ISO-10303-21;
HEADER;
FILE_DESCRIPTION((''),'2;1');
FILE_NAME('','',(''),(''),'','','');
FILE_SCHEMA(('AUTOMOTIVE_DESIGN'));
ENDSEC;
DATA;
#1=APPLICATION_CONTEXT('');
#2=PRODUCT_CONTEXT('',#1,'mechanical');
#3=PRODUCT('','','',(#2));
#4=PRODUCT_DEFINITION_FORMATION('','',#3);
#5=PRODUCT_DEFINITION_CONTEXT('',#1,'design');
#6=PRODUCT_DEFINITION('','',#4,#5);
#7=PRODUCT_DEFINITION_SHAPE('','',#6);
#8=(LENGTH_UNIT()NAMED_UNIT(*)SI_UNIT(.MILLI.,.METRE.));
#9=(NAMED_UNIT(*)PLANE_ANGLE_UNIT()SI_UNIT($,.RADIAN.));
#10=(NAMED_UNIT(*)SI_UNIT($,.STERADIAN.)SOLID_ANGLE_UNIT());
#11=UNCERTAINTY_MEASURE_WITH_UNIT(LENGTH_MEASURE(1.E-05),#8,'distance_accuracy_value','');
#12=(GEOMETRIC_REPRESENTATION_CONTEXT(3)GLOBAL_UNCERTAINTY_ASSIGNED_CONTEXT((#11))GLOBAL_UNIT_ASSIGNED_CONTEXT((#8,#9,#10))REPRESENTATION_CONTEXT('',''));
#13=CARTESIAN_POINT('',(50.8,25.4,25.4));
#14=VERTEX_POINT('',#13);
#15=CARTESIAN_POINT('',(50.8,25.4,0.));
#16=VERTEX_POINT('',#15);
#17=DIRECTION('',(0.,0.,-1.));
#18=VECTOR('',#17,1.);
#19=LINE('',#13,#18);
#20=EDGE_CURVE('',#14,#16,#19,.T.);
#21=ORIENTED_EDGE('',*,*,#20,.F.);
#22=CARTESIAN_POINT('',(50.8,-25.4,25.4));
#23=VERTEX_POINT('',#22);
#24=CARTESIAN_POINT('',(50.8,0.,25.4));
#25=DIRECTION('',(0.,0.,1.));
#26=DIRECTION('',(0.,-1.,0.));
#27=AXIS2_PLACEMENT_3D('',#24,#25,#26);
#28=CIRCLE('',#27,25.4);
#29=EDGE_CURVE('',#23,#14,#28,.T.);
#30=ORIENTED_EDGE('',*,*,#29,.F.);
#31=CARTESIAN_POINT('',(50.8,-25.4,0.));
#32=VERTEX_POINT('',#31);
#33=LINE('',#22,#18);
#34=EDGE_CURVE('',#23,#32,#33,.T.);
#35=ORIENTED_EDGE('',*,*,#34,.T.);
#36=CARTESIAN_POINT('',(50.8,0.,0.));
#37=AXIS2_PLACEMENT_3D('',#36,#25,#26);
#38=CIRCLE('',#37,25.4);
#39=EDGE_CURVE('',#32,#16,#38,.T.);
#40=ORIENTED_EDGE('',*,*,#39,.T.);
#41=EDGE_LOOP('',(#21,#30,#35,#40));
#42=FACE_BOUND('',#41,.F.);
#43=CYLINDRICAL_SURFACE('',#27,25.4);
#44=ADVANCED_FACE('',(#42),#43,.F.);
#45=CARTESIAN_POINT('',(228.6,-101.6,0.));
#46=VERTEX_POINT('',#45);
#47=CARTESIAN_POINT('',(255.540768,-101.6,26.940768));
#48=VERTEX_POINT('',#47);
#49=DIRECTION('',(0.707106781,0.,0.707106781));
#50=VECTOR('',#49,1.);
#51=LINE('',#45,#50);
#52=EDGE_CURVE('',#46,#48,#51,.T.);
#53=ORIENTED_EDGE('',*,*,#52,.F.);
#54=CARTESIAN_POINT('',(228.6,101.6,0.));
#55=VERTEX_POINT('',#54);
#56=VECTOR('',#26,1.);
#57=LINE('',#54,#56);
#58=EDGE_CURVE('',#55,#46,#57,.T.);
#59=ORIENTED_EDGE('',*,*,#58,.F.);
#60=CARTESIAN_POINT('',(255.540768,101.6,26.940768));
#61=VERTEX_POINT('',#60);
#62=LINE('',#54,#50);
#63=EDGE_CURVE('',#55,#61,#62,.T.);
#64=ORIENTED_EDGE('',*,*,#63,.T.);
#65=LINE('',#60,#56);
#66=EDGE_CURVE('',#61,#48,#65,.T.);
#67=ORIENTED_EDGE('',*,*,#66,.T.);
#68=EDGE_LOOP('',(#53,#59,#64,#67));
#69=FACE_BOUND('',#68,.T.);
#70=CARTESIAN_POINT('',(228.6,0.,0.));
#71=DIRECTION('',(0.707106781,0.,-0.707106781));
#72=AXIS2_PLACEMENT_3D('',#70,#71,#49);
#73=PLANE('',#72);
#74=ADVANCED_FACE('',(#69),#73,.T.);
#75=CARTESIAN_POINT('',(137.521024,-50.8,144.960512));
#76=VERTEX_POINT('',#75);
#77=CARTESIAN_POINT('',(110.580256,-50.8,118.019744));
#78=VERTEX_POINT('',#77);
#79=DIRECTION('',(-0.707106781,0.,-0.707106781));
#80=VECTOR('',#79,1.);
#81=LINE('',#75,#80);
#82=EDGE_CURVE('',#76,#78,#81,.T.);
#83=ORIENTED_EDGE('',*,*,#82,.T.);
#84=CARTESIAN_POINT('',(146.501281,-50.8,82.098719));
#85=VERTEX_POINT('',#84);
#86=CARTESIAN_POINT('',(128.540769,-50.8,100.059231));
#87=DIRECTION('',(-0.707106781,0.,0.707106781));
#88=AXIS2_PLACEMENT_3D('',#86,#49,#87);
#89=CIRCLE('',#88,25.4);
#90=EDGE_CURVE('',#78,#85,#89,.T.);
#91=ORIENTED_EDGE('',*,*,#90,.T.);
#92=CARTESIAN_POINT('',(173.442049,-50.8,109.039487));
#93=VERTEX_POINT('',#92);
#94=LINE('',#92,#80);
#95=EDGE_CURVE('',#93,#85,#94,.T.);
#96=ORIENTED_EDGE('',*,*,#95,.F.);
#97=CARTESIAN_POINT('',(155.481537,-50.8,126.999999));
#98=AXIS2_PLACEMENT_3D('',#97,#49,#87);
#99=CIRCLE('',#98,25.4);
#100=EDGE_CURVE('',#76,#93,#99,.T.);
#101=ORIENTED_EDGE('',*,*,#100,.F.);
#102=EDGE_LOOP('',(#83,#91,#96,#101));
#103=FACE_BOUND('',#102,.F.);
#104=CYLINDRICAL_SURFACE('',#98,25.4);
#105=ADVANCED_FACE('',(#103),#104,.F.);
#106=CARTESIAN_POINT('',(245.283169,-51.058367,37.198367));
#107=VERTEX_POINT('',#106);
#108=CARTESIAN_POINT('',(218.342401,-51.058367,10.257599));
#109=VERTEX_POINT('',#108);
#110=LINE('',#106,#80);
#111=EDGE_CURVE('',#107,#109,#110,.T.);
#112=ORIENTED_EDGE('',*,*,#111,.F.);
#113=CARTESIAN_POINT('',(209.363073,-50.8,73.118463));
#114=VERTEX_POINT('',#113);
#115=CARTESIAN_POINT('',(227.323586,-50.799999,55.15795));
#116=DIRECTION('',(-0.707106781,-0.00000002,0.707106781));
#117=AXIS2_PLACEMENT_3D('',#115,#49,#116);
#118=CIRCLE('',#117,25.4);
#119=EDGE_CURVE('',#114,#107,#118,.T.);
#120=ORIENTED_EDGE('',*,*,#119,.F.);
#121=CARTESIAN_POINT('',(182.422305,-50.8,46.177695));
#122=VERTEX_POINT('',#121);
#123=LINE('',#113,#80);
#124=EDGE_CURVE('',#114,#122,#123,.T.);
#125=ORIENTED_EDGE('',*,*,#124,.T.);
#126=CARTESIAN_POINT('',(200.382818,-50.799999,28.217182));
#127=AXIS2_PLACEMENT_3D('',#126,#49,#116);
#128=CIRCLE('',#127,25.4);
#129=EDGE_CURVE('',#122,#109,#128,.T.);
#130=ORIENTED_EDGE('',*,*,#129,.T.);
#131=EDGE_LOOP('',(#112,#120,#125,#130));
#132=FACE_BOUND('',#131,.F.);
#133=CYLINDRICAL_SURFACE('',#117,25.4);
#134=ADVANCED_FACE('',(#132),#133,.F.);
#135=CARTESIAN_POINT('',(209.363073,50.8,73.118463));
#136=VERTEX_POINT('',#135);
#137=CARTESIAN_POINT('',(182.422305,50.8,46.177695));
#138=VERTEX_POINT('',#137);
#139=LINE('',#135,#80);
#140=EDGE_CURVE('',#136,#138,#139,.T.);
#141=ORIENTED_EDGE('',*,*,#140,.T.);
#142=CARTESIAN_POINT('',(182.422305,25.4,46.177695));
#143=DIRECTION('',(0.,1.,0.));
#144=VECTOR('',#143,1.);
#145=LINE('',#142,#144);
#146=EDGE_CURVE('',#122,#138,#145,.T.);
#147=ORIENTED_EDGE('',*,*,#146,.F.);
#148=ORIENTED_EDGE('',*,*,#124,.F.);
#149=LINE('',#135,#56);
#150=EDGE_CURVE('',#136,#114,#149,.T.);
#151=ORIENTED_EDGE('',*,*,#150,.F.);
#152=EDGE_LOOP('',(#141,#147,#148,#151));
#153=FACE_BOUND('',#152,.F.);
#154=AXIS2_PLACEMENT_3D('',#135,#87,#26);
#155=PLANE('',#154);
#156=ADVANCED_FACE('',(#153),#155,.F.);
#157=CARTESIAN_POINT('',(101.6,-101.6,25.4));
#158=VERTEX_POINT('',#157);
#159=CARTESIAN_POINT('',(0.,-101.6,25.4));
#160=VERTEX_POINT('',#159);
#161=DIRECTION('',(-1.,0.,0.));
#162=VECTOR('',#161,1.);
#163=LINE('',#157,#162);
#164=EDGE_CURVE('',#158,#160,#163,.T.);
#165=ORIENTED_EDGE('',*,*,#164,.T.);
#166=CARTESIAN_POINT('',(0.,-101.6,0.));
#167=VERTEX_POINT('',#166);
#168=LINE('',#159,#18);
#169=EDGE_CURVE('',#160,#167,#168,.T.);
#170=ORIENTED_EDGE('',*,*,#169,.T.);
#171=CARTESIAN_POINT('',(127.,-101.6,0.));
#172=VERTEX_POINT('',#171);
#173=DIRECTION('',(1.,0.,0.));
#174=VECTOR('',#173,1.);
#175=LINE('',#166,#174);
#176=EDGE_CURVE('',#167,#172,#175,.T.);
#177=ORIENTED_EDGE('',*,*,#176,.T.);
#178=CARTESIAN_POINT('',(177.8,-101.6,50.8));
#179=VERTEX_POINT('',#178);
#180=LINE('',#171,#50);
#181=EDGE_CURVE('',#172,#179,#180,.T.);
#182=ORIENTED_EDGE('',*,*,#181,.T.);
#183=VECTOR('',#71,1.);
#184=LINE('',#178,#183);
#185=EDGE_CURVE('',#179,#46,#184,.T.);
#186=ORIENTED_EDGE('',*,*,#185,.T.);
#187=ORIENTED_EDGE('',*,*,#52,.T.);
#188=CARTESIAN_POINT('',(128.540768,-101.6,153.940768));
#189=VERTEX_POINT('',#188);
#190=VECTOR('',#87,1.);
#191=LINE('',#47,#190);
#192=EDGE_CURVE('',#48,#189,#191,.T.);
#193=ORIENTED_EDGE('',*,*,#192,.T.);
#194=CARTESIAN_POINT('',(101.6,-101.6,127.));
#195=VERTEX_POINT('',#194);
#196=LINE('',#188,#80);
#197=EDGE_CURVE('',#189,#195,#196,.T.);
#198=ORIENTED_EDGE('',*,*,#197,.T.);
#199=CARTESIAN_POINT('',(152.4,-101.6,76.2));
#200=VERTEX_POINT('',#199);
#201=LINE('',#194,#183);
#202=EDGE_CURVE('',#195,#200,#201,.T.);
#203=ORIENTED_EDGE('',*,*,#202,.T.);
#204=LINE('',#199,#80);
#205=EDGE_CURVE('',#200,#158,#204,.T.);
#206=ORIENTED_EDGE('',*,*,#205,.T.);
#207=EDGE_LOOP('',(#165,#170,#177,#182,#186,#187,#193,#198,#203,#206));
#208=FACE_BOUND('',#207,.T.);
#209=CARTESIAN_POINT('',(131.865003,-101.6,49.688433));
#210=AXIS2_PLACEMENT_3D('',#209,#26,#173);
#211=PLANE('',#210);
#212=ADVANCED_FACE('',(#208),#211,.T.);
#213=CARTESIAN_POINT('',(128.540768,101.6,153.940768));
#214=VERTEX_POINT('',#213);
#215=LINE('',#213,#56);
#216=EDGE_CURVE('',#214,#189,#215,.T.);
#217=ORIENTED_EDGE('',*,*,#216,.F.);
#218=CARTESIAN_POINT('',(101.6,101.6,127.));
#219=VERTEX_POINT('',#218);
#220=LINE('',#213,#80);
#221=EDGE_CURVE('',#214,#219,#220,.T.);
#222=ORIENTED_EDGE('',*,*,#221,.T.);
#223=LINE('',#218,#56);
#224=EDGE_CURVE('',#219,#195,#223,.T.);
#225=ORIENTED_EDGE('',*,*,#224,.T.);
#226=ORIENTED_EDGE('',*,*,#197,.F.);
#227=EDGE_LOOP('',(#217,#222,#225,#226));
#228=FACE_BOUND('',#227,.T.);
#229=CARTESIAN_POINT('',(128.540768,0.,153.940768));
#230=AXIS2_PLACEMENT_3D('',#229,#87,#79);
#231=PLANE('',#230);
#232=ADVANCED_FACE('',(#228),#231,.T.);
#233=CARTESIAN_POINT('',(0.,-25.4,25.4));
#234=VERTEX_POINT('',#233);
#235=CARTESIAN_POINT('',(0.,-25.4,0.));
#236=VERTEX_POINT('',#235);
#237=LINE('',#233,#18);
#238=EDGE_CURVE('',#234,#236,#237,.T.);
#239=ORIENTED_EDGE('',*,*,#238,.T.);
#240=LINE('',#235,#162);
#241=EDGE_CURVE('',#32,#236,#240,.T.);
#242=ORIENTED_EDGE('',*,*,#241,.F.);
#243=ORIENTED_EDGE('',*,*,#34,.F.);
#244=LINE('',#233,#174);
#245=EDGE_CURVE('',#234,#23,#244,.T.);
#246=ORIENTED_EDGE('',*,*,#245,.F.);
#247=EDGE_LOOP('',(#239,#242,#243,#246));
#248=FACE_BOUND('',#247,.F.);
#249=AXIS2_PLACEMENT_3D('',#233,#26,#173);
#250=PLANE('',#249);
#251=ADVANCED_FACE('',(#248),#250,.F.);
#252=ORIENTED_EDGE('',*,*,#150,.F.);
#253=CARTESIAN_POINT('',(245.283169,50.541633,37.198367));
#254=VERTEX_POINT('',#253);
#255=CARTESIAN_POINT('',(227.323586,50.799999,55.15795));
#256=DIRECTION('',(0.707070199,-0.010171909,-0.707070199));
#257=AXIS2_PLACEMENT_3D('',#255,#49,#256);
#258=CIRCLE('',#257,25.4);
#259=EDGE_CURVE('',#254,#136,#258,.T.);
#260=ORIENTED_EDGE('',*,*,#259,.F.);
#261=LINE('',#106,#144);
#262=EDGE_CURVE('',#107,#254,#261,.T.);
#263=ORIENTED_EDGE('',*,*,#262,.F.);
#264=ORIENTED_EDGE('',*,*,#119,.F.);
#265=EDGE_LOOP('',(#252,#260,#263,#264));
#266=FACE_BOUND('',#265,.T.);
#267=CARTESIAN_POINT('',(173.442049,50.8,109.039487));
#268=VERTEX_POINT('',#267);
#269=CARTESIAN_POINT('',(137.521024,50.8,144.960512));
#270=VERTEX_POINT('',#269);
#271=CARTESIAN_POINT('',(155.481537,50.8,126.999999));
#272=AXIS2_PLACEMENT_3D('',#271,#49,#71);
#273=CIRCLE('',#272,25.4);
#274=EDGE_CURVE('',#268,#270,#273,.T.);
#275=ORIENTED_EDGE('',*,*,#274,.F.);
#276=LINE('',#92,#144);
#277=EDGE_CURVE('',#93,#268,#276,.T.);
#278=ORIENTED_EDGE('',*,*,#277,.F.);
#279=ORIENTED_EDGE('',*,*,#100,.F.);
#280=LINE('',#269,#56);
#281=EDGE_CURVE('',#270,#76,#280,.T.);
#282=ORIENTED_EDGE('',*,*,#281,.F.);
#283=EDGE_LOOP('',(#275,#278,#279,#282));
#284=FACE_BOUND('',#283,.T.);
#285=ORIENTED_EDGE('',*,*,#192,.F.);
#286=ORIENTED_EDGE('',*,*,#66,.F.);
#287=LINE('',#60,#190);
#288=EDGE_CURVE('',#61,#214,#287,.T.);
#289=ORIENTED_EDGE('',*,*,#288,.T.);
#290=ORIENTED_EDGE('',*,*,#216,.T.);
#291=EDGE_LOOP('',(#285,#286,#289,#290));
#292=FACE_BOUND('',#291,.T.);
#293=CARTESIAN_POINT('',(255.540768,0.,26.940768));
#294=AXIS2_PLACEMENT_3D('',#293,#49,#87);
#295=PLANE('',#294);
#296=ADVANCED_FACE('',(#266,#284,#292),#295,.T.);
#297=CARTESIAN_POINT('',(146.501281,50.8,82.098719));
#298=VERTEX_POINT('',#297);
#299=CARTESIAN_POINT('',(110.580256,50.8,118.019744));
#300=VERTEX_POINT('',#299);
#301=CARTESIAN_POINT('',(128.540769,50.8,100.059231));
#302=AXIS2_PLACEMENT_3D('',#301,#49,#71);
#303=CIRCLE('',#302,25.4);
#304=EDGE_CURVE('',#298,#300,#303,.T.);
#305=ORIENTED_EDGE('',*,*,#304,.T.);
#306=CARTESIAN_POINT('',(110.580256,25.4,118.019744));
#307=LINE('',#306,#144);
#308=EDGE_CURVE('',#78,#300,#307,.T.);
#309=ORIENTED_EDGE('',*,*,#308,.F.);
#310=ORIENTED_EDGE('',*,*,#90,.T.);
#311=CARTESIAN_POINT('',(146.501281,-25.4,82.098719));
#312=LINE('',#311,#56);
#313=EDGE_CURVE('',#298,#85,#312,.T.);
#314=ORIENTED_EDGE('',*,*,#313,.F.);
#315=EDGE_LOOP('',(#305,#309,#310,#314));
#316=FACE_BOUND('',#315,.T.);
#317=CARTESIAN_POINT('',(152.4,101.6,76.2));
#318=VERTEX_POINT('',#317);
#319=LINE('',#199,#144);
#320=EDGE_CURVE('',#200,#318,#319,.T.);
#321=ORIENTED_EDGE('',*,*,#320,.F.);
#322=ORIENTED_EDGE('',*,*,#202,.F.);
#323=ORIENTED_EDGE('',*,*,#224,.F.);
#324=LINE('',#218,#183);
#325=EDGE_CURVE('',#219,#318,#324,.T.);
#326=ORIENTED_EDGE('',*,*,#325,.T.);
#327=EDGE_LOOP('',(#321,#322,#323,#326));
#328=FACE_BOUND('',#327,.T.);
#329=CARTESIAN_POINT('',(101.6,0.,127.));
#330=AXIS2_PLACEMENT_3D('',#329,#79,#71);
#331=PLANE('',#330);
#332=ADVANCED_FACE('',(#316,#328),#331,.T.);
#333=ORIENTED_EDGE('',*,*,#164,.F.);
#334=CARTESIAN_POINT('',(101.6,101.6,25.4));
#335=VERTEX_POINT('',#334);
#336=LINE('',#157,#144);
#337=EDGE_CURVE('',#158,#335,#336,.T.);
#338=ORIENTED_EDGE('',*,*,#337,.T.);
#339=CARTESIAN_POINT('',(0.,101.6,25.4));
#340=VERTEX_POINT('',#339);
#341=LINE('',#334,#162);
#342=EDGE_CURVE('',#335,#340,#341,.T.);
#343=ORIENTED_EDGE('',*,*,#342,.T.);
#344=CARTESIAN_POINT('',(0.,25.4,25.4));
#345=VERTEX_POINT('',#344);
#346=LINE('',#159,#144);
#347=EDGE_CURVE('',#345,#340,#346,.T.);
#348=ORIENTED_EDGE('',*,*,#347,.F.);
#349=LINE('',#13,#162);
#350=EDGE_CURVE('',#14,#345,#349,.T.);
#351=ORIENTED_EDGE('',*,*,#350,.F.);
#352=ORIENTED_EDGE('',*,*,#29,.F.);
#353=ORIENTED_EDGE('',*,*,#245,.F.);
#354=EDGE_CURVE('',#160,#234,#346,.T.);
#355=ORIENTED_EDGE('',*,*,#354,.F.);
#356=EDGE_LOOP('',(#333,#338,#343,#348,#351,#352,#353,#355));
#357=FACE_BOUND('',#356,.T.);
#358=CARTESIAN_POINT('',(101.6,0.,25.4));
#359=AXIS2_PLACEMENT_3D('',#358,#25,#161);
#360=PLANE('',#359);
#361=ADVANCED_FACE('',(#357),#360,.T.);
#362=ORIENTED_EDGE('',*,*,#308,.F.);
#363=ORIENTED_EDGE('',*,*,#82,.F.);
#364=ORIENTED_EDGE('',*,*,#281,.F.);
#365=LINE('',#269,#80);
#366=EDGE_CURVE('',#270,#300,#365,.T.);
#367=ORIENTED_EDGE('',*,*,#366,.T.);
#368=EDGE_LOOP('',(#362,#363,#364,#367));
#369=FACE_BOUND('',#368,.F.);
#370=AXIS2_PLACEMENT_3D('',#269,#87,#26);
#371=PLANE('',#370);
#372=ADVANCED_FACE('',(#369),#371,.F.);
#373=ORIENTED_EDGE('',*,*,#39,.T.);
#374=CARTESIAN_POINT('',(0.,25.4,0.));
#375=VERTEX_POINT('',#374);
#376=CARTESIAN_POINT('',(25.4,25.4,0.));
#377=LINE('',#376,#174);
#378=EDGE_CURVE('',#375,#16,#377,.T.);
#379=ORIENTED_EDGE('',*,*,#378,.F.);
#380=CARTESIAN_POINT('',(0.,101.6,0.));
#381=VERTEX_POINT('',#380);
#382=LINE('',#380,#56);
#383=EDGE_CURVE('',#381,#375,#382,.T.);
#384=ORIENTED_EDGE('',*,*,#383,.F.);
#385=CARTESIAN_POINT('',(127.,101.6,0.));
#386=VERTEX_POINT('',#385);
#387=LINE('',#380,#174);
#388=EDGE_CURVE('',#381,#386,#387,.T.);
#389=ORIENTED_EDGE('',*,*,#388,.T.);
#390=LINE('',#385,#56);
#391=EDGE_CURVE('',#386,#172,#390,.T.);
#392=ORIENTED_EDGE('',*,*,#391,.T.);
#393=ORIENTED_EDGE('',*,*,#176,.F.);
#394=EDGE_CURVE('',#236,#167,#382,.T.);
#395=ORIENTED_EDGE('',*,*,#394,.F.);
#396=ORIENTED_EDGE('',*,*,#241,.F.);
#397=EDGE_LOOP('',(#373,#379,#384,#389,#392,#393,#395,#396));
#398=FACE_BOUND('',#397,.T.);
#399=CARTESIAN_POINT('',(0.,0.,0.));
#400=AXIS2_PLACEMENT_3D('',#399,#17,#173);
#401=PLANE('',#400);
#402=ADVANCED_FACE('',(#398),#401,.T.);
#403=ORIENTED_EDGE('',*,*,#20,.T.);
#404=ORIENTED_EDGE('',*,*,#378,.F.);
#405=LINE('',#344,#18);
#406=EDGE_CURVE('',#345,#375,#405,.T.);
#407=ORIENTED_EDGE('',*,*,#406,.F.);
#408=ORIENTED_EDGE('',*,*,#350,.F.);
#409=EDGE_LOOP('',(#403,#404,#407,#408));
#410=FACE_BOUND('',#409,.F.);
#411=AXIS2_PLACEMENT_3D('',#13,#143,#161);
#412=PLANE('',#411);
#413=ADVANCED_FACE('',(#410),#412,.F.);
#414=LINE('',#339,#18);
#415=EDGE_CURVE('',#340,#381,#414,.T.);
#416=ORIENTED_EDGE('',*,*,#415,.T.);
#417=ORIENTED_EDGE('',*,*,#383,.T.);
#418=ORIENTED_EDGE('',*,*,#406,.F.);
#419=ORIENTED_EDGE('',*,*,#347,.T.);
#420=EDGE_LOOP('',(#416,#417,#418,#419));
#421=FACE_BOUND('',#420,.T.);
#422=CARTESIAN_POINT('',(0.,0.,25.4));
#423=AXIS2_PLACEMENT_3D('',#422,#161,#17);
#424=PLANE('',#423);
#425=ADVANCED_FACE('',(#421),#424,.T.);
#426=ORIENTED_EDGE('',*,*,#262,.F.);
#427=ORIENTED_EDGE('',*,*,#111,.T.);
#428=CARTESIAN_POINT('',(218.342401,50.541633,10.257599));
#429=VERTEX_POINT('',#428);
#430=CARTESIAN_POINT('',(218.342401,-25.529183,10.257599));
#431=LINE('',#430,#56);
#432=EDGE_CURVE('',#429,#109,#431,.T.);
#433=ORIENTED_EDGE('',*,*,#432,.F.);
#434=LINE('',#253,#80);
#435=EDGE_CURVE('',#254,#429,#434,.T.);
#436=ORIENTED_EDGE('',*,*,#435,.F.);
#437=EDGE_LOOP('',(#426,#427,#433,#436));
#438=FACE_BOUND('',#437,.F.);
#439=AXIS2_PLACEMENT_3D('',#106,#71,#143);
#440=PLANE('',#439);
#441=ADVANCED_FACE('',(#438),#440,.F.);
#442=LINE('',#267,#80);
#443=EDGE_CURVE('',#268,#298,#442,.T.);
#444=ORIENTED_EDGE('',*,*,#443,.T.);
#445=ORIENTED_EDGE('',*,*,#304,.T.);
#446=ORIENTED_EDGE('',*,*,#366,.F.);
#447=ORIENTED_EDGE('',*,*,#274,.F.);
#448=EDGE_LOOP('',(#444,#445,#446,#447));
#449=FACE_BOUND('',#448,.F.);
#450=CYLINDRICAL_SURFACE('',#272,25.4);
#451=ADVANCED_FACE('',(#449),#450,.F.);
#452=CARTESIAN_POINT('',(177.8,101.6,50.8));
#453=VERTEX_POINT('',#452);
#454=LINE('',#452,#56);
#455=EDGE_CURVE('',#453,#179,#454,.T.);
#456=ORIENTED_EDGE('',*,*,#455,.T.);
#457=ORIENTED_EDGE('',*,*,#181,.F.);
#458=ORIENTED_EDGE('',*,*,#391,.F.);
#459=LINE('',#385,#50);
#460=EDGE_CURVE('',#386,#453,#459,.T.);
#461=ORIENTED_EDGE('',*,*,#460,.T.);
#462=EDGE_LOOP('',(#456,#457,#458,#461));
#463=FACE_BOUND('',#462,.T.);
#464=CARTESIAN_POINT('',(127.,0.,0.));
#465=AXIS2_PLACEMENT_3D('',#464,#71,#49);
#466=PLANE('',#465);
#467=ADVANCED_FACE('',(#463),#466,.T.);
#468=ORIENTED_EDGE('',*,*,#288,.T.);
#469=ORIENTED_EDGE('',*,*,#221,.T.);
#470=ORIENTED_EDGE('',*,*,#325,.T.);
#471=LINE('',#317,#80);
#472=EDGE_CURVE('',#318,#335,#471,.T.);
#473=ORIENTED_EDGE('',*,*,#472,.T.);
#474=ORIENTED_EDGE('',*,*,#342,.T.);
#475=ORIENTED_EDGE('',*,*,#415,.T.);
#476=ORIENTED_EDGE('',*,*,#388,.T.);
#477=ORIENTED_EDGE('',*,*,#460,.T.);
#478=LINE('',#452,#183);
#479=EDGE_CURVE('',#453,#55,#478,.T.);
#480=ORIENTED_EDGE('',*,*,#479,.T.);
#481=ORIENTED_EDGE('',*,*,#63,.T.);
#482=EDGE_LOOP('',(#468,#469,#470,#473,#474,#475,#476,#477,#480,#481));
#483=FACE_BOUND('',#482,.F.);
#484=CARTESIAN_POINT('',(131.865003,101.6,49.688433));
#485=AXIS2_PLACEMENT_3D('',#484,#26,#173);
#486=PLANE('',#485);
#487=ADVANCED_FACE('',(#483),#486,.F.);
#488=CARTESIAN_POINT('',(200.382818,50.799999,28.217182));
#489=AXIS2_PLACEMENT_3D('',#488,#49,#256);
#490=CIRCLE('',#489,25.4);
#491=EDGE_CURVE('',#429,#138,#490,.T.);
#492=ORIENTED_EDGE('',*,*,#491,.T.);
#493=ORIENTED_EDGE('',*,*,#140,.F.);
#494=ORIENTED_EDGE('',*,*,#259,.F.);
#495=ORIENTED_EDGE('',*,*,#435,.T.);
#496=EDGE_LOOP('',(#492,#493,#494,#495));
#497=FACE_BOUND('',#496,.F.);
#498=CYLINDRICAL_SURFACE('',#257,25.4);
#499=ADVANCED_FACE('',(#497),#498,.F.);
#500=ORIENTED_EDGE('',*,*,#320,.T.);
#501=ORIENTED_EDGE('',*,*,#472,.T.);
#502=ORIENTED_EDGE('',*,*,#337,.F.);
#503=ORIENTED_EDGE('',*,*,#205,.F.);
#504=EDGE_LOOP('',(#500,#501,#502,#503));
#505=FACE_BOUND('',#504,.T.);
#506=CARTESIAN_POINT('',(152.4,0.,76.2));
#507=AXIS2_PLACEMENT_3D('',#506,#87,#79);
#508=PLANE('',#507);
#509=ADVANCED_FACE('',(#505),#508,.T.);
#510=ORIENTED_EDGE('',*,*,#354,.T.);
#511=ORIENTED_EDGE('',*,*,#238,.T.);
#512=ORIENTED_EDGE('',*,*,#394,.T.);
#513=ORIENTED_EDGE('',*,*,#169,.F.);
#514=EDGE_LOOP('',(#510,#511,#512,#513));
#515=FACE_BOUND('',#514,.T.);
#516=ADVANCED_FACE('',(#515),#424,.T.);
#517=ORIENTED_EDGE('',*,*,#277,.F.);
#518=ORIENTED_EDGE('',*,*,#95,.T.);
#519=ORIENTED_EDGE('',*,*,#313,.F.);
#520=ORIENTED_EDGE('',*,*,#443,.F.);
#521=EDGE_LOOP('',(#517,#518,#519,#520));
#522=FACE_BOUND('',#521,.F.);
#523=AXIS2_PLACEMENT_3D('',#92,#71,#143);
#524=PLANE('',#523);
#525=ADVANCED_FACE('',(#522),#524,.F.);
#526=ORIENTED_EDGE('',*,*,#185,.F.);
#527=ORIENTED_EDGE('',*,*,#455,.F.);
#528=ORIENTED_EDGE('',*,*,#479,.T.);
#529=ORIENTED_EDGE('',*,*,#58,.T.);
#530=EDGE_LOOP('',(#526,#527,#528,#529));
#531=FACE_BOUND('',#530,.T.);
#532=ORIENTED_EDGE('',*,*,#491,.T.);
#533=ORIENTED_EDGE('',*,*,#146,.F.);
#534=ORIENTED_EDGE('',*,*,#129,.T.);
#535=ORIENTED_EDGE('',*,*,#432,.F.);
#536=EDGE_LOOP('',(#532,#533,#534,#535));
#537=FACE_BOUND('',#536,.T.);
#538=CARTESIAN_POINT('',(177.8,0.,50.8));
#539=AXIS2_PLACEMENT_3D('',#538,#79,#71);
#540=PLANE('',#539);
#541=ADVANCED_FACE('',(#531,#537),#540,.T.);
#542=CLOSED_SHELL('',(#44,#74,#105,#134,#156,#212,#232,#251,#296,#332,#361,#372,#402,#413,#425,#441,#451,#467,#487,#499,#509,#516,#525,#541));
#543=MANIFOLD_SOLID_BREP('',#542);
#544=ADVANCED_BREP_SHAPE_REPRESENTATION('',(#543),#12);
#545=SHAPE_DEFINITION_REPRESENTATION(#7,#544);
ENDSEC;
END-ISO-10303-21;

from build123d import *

# Parameters (mm, degrees)
F1_DEPTH = 101.6
F3_DEPTH = 78.232
F5_DEPTH = 32.512


with BuildPart() as f1:
    # F0 (on Front) → F1 (new body, symmetric)
    with BuildSketch(Plane.XZ):
        Polygon((0, 25.4), (0, 0), (127, 0), (177.8, 50.8), (228.6, 0), (255.540768, 26.940768), (204.740768, 77.740768), (179.340768, 103.140768), (128.540768, 153.940768), (101.6, 127), (152.4, 76.2), (101.6, 25.4), align=None)
    extrude(amount=F1_DEPTH, both=True)

    # F2 (on face) → F3 (cut)
    with BuildSketch(Plane(origin=(141.240768, 0, 141.240768), x_dir=(0.707107, 0, -0.707107), z_dir=(0.707107, 0, 0.707107))):
        with BuildLine():
            Line((-5.260512, 50.8), (-5.260512, -50.8))
            ThreePointArc((-5.260512, -50.8), (20.139488, -76.2), (45.539488, -50.8))
            Line((45.539488, -50.8), (45.539488, 50.8))
            ThreePointArc((45.539488, 50.8), (20.139488, 76.2), (-5.260512, 50.8))
        make_face()
        with BuildLine():
            Line((96.339488, 50.8), (96.339488, -50.8))
            ThreePointArc((96.339488, -50.8), (121.610302, -76.199671), (147.138174, -51.058367))
            Line((147.138174, -51.058367), (147.138174, -50.541633))
            Line((147.138174, -50.541633), (147.138174, 50.541633))
            ThreePointArc((147.138174, 50.541633), (121.868673, 76.199671), (96.339488, 50.8))
        make_face()
    extrude(amount=-F3_DEPTH, mode=Mode.SUBTRACT)

    # F4 (on face) → F5 (cut)
    with BuildSketch(Plane.XY.offset(25.4)):
        with BuildLine():
            Line((50.8, 25.4), (0, 25.4))
            Line((0, 25.4), (0, -25.4))
            Line((0, -25.4), (50.8, -25.4))
            ThreePointArc((50.8, -25.4), (76.2, 0), (50.8, 25.4))
        make_face()
    extrude(amount=-F5_DEPTH, mode=Mode.SUBTRACT)


solid = f1.part
